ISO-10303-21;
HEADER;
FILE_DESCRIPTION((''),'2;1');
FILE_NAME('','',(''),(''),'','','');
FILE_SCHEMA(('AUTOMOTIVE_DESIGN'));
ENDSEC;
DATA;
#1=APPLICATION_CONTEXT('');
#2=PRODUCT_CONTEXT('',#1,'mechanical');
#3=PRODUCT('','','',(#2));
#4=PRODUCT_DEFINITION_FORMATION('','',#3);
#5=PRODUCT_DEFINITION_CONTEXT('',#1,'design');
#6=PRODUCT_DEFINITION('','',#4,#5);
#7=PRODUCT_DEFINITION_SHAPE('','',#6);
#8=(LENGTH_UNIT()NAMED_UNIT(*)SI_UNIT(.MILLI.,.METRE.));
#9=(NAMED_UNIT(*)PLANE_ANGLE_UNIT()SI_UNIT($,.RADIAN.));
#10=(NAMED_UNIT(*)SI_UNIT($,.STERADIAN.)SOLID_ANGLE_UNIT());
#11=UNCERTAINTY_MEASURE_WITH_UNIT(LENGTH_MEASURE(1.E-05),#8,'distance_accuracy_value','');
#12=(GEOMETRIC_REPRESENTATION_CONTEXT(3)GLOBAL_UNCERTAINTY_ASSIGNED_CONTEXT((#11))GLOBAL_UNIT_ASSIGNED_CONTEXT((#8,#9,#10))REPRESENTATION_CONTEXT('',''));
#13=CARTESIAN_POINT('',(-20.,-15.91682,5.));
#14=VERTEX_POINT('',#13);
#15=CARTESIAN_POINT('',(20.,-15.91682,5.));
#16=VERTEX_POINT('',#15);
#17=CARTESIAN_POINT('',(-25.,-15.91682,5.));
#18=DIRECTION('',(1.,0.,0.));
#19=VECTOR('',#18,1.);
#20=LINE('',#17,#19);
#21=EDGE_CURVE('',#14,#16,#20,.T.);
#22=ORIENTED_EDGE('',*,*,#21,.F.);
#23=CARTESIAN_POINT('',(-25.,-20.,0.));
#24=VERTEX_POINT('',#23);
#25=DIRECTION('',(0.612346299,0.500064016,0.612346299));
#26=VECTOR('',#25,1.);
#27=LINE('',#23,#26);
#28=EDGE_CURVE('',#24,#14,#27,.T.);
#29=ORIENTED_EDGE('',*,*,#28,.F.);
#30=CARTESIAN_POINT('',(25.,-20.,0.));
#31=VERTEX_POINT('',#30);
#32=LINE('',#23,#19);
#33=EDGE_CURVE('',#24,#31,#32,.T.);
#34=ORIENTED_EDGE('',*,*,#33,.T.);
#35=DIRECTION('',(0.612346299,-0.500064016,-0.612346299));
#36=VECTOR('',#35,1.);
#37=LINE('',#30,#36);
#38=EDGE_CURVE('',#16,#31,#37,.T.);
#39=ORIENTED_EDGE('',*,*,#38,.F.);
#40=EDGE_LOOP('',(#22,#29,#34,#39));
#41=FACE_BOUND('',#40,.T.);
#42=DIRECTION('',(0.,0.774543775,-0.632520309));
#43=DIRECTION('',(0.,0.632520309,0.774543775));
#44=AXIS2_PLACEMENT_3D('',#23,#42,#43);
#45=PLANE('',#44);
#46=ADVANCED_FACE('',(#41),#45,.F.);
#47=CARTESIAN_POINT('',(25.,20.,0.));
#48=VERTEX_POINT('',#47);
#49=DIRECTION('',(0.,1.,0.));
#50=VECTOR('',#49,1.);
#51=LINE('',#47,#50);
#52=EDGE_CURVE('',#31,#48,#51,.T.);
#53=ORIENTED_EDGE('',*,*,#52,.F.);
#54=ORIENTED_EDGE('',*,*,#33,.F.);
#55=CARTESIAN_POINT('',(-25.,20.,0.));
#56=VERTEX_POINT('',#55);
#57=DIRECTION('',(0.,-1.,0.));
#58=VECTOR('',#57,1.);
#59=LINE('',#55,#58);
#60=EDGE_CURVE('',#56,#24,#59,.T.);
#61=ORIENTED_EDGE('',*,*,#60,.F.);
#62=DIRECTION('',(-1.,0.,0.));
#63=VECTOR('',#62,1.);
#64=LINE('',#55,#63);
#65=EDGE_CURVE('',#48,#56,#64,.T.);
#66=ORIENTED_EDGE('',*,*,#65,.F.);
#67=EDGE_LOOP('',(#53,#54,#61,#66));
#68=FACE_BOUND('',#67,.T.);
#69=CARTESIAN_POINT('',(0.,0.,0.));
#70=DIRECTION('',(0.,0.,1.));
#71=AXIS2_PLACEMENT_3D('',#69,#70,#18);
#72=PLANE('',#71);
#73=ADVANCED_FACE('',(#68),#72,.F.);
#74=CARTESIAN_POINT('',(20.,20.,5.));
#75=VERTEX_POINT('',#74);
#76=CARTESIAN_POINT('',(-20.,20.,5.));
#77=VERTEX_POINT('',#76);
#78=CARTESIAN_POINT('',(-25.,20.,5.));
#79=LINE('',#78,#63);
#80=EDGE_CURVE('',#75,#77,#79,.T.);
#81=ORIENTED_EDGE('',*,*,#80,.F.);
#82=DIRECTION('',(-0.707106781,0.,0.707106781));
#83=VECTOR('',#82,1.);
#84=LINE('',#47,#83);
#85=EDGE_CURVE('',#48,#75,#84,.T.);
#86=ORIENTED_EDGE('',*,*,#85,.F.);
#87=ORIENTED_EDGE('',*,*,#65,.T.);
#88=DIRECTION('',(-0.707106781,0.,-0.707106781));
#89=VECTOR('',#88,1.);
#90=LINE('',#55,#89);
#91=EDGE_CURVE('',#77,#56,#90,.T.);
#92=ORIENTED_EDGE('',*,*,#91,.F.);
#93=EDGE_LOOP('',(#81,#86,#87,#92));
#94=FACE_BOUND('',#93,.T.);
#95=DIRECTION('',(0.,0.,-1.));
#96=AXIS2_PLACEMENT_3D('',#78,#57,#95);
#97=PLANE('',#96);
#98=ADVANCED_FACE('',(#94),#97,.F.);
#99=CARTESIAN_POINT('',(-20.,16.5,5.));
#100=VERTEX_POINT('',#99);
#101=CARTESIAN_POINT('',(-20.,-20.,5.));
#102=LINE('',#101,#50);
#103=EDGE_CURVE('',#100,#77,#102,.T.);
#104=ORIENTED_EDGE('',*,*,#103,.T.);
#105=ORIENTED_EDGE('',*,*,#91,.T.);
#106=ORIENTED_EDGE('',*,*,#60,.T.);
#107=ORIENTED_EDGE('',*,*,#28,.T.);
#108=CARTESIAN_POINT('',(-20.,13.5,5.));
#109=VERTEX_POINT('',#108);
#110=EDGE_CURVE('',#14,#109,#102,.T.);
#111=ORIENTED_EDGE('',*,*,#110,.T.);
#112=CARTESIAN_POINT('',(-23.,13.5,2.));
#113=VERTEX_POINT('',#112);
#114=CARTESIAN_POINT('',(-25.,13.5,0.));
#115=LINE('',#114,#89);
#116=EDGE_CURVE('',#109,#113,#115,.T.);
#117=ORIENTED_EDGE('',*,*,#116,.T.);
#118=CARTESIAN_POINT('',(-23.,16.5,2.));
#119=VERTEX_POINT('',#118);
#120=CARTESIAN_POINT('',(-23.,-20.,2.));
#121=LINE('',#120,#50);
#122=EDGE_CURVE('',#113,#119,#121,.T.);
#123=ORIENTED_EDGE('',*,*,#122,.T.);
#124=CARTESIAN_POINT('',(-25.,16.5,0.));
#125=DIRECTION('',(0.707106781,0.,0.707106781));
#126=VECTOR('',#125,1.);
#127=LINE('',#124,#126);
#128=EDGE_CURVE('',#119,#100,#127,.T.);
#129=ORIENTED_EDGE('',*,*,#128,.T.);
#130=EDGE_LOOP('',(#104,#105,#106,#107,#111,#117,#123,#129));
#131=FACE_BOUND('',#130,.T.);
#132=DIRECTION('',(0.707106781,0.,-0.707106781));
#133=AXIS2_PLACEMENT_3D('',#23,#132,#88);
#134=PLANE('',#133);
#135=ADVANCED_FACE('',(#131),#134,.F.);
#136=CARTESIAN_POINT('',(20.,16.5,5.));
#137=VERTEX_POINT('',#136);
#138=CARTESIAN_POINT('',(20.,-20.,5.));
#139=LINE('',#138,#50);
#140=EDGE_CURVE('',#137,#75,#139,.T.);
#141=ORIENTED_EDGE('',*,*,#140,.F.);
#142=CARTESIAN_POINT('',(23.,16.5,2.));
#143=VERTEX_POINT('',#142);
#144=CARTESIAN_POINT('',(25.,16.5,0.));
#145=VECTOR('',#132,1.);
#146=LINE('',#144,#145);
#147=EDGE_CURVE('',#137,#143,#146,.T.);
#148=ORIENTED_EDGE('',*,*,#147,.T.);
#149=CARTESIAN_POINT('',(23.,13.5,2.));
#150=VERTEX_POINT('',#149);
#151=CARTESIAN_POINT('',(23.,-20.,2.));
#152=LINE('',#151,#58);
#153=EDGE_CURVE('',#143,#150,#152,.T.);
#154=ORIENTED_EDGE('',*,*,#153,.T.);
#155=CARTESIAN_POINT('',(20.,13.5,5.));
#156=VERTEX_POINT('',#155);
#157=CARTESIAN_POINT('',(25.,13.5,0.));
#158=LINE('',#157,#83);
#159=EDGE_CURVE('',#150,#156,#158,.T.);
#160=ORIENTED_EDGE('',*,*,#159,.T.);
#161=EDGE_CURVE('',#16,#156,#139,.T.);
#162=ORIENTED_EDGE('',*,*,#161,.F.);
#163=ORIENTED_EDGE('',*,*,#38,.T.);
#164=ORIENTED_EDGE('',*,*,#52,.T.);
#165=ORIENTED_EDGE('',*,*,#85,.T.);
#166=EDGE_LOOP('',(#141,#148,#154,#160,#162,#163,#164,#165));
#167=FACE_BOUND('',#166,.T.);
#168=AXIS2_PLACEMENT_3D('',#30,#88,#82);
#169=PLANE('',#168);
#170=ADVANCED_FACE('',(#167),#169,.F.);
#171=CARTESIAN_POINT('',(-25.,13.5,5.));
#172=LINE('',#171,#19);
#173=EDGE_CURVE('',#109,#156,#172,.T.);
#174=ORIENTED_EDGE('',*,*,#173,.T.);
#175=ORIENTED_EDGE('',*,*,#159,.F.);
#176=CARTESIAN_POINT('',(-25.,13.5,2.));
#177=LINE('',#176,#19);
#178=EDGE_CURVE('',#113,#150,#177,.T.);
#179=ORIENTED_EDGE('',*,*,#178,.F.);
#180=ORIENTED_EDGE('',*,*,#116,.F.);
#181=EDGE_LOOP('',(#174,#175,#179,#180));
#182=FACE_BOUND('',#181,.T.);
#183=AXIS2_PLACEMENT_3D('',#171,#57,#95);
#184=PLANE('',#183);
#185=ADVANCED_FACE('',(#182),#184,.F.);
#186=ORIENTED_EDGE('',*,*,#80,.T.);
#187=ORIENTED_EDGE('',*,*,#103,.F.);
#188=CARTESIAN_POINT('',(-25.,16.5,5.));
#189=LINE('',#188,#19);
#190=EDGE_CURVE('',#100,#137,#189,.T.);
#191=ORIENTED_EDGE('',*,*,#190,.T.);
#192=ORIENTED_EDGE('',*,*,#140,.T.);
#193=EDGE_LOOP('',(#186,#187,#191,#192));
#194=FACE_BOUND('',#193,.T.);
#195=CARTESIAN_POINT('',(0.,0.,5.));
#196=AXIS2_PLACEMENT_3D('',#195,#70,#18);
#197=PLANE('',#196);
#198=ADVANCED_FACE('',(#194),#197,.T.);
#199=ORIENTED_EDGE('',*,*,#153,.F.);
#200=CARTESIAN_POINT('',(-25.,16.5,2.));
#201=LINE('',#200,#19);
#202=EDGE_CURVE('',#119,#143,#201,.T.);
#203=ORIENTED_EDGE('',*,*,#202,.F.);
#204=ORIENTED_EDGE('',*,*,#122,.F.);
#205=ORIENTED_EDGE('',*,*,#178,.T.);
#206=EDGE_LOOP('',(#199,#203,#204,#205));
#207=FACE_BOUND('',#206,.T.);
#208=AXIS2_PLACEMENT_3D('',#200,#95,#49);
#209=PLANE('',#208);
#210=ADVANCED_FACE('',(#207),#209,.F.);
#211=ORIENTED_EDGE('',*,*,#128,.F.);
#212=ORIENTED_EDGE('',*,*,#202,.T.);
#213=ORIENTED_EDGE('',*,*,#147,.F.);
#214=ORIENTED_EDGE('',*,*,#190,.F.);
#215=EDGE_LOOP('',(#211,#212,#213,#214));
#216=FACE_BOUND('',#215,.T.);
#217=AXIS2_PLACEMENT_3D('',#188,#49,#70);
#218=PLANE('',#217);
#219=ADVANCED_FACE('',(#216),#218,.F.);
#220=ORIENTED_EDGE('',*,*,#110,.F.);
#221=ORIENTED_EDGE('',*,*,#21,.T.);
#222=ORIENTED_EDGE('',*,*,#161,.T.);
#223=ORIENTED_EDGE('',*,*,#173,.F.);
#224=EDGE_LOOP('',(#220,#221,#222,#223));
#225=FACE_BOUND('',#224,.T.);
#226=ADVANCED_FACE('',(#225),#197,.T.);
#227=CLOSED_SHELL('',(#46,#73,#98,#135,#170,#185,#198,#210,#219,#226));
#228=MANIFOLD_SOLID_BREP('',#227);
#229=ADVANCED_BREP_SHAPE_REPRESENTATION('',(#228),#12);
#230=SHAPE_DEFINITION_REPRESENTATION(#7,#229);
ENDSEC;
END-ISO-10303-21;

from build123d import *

# Parameters (mm, degrees)
SKETCH1_W               = 50
SKETCH1_H               = 40
BOSS_EXTRUDE1_DEPTH     = 5
CUT_EXTRUDE1_DEPTH      = 21
CUT_EXTRUDE1_DEPTH_BACK = 21
CUT_EXTRUDE2_DEPTH      = 26
CUT_EXTRUDE2_DEPTH_BACK = 26
SKETCH4_W               = 3
SKETCH4_H               = 3
CUT_EXTRUDE3_DEPTH      = 26
CUT_EXTRUDE3_DEPTH_BACK = 26


with BuildPart() as part:
    # Sketch1 → Boss-Extrude1 (new body)
    with BuildSketch(Plane.XY):
        Rectangle(SKETCH1_W, SKETCH1_H)
    extrude(amount=BOSS_EXTRUDE1_DEPTH)

    # Sketch2 → Cut-Extrude1 (cut, two sides)
    with BuildSketch(Plane(origin=(0, 0, 0), x_dir=(1, 0, 0), z_dir=(0, 1, 0))) as cut_extrude1_sk:
        Polygon((-25, 0), (-20, -5), (-25, -5), align=None)
        Polygon((25, 0), (20, -5), (25, -5), align=None)
    extrude(amount=CUT_EXTRUDE1_DEPTH, mode=Mode.SUBTRACT)
    extrude(cut_extrude1_sk.sketch, amount=-CUT_EXTRUDE1_DEPTH_BACK, mode=Mode.SUBTRACT)

    # Sketch3 → Cut-Extrude2 (cut, two sides)
    with BuildSketch(Plane(origin=(0, 0, 0), x_dir=(0, 0, -1), z_dir=(1, 0, 0))) as cut_extrude2_sk:
        Polygon((0, -20), (-5, -15.916820135), (-5, -20), align=None)
    extrude(amount=CUT_EXTRUDE2_DEPTH, mode=Mode.SUBTRACT)
    extrude(cut_extrude2_sk.sketch, amount=-CUT_EXTRUDE2_DEPTH_BACK, mode=Mode.SUBTRACT)

    # Sketch4 → Cut-Extrude3 (cut, two sides)
    with BuildSketch(Plane(origin=(0, 0, 0), x_dir=(0, 0, -1), z_dir=(1, 0, 0))) as cut_extrude3_sk:
        with Locations((-3.5, 15)):
            Rectangle(SKETCH4_W, SKETCH4_H)
    extrude(amount=CUT_EXTRUDE3_DEPTH, mode=Mode.SUBTRACT)
    extrude(cut_extrude3_sk.sketch, amount=-CUT_EXTRUDE3_DEPTH_BACK, mode=Mode.SUBTRACT)


solid = part.part
